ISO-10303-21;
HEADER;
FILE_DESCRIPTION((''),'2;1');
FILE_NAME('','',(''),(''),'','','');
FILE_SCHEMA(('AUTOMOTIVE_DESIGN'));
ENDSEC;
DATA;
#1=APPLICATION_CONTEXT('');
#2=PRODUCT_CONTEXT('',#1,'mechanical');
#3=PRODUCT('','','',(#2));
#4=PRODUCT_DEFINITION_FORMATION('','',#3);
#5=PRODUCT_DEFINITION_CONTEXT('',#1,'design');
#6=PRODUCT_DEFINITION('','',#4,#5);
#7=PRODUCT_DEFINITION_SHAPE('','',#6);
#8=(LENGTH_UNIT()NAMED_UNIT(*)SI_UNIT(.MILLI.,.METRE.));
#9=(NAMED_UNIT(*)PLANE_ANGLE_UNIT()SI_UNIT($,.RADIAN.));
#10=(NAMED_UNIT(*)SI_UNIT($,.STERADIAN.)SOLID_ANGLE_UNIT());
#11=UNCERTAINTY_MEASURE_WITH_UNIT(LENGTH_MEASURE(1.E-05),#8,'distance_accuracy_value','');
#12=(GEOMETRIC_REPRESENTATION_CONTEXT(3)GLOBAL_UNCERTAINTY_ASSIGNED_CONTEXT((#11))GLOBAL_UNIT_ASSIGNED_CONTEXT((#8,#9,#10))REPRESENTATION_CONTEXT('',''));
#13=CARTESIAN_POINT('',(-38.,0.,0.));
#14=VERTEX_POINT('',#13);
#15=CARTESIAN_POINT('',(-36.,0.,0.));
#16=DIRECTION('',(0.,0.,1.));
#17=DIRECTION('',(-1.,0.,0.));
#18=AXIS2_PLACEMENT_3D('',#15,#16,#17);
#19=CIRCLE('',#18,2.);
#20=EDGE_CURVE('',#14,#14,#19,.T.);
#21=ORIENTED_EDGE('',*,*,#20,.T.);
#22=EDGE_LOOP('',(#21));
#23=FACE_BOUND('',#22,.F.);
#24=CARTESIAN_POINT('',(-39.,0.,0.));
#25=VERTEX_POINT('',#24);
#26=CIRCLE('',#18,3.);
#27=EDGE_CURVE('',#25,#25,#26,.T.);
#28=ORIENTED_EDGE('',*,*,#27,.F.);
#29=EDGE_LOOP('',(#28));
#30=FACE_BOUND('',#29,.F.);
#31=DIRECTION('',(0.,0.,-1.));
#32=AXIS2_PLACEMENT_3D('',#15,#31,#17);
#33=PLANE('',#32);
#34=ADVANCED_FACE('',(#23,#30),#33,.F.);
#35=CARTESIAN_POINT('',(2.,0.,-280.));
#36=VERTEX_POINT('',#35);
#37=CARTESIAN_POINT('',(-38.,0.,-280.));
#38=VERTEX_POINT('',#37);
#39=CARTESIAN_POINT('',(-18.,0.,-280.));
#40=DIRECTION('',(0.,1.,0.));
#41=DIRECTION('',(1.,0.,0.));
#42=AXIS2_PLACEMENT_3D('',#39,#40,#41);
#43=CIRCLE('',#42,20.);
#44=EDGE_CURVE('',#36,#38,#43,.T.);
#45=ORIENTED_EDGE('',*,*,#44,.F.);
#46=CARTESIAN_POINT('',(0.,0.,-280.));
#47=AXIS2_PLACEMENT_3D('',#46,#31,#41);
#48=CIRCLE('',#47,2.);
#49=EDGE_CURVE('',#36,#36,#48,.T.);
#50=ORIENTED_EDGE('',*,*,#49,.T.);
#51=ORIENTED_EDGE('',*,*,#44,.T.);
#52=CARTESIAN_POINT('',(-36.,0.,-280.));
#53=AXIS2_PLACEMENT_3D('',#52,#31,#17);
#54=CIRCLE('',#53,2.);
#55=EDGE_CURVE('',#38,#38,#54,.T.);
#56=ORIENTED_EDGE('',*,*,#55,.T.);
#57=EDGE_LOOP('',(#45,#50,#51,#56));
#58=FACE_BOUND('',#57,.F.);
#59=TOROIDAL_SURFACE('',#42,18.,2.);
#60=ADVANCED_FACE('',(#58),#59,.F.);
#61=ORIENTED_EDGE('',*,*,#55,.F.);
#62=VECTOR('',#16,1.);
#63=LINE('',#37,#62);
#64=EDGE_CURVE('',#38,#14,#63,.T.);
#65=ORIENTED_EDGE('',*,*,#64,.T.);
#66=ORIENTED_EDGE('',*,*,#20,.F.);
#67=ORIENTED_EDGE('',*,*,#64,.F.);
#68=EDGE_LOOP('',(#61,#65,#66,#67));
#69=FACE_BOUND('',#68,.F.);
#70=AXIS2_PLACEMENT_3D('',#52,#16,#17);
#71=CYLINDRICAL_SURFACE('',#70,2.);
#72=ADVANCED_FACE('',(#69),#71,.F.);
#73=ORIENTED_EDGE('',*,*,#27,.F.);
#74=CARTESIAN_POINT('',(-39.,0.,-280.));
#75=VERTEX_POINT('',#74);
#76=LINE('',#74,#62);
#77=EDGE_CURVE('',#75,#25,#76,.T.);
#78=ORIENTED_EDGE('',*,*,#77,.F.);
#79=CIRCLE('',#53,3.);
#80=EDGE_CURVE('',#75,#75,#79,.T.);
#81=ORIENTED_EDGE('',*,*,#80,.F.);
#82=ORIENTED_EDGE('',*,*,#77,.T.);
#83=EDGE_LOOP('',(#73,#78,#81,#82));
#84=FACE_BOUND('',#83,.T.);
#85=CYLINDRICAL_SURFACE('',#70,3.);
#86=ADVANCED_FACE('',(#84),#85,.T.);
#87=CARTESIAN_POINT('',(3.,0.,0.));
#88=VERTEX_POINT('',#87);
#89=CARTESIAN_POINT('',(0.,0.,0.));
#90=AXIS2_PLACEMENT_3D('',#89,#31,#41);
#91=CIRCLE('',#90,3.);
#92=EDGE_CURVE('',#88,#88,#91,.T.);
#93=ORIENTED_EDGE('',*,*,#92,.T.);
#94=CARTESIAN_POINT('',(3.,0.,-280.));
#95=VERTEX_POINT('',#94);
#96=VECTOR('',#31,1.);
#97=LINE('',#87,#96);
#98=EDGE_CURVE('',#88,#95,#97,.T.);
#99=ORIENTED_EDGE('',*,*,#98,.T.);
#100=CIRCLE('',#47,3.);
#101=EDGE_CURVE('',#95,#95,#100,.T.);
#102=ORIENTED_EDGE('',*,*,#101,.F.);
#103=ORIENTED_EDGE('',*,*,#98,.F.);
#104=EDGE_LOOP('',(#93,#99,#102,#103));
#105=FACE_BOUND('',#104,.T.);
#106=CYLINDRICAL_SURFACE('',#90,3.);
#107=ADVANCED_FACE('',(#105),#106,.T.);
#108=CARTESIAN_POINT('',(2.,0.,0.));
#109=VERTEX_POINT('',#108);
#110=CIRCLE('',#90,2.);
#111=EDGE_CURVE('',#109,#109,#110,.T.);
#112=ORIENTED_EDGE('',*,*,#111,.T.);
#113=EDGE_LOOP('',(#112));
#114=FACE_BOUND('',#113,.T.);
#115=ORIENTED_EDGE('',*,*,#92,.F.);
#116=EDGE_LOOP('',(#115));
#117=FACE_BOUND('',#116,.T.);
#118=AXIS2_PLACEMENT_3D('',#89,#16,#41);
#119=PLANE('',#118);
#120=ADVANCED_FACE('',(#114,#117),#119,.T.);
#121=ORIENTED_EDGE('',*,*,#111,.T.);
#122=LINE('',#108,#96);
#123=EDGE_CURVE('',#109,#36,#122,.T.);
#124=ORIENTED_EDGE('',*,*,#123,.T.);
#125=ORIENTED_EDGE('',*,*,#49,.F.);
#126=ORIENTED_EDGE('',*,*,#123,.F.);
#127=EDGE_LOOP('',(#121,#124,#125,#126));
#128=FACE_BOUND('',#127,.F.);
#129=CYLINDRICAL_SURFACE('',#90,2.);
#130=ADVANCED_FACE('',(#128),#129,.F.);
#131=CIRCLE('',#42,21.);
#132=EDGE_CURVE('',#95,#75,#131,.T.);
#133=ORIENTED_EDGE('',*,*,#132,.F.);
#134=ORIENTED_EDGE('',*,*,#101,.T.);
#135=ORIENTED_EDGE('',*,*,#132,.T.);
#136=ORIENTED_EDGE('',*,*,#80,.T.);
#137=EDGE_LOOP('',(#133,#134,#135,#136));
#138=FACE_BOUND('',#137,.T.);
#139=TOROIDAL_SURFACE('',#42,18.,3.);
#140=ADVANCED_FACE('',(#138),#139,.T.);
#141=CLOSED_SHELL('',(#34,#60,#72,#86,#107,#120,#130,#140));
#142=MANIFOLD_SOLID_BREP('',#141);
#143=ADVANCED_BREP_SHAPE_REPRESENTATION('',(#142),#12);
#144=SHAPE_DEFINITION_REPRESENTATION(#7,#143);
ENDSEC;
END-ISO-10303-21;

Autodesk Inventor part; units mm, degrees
ref_plane "YZ Plane" through (0, 0, 0) normal (1, 0, 0) x (0, 1, 0)
ref_plane "XZ Plane" through (0, 0, 0) normal (0, 1, 0) x (-1, 0, 0)
ref_plane "XY Plane" through (0, 0, 0) normal (0, 0, 1) x (1, 0, 0)
sketch "Sketch1" plane through (0, 0, 0) normal (0, 0, 1) x (1, 0, 0)
  line L0 (0, 4.2) -> (0, -4.2) construction
  line L1 (-4.2, 0) -> (4.2, 0) construction
  circle A0 centre (0, 0) radius 3
  circle A1 centre (0, 0) radius 2
  dimension "d4" = 6
  dimension "d5" = 4
sketch "Sketch2" plane through (0, 0, 0) normal (0, 1, 0) x (-1, 0, 0)
  line L0 (0, 0) -> (0, -280)
  arc A0 (0, -280) -> (36, -280) centre (18, -280) ccw
  line L1 (36, -280) -> (36, 0)
  dimension "d6" = 36
  dimension "d7" = 280
  dimension "d13" = 280
sweep "Sweep1" add profiles "Sketch1" path "Sketch2"
equation "\"d7\" = d13"
properties part number "17-0028-0022" material "Copper"
